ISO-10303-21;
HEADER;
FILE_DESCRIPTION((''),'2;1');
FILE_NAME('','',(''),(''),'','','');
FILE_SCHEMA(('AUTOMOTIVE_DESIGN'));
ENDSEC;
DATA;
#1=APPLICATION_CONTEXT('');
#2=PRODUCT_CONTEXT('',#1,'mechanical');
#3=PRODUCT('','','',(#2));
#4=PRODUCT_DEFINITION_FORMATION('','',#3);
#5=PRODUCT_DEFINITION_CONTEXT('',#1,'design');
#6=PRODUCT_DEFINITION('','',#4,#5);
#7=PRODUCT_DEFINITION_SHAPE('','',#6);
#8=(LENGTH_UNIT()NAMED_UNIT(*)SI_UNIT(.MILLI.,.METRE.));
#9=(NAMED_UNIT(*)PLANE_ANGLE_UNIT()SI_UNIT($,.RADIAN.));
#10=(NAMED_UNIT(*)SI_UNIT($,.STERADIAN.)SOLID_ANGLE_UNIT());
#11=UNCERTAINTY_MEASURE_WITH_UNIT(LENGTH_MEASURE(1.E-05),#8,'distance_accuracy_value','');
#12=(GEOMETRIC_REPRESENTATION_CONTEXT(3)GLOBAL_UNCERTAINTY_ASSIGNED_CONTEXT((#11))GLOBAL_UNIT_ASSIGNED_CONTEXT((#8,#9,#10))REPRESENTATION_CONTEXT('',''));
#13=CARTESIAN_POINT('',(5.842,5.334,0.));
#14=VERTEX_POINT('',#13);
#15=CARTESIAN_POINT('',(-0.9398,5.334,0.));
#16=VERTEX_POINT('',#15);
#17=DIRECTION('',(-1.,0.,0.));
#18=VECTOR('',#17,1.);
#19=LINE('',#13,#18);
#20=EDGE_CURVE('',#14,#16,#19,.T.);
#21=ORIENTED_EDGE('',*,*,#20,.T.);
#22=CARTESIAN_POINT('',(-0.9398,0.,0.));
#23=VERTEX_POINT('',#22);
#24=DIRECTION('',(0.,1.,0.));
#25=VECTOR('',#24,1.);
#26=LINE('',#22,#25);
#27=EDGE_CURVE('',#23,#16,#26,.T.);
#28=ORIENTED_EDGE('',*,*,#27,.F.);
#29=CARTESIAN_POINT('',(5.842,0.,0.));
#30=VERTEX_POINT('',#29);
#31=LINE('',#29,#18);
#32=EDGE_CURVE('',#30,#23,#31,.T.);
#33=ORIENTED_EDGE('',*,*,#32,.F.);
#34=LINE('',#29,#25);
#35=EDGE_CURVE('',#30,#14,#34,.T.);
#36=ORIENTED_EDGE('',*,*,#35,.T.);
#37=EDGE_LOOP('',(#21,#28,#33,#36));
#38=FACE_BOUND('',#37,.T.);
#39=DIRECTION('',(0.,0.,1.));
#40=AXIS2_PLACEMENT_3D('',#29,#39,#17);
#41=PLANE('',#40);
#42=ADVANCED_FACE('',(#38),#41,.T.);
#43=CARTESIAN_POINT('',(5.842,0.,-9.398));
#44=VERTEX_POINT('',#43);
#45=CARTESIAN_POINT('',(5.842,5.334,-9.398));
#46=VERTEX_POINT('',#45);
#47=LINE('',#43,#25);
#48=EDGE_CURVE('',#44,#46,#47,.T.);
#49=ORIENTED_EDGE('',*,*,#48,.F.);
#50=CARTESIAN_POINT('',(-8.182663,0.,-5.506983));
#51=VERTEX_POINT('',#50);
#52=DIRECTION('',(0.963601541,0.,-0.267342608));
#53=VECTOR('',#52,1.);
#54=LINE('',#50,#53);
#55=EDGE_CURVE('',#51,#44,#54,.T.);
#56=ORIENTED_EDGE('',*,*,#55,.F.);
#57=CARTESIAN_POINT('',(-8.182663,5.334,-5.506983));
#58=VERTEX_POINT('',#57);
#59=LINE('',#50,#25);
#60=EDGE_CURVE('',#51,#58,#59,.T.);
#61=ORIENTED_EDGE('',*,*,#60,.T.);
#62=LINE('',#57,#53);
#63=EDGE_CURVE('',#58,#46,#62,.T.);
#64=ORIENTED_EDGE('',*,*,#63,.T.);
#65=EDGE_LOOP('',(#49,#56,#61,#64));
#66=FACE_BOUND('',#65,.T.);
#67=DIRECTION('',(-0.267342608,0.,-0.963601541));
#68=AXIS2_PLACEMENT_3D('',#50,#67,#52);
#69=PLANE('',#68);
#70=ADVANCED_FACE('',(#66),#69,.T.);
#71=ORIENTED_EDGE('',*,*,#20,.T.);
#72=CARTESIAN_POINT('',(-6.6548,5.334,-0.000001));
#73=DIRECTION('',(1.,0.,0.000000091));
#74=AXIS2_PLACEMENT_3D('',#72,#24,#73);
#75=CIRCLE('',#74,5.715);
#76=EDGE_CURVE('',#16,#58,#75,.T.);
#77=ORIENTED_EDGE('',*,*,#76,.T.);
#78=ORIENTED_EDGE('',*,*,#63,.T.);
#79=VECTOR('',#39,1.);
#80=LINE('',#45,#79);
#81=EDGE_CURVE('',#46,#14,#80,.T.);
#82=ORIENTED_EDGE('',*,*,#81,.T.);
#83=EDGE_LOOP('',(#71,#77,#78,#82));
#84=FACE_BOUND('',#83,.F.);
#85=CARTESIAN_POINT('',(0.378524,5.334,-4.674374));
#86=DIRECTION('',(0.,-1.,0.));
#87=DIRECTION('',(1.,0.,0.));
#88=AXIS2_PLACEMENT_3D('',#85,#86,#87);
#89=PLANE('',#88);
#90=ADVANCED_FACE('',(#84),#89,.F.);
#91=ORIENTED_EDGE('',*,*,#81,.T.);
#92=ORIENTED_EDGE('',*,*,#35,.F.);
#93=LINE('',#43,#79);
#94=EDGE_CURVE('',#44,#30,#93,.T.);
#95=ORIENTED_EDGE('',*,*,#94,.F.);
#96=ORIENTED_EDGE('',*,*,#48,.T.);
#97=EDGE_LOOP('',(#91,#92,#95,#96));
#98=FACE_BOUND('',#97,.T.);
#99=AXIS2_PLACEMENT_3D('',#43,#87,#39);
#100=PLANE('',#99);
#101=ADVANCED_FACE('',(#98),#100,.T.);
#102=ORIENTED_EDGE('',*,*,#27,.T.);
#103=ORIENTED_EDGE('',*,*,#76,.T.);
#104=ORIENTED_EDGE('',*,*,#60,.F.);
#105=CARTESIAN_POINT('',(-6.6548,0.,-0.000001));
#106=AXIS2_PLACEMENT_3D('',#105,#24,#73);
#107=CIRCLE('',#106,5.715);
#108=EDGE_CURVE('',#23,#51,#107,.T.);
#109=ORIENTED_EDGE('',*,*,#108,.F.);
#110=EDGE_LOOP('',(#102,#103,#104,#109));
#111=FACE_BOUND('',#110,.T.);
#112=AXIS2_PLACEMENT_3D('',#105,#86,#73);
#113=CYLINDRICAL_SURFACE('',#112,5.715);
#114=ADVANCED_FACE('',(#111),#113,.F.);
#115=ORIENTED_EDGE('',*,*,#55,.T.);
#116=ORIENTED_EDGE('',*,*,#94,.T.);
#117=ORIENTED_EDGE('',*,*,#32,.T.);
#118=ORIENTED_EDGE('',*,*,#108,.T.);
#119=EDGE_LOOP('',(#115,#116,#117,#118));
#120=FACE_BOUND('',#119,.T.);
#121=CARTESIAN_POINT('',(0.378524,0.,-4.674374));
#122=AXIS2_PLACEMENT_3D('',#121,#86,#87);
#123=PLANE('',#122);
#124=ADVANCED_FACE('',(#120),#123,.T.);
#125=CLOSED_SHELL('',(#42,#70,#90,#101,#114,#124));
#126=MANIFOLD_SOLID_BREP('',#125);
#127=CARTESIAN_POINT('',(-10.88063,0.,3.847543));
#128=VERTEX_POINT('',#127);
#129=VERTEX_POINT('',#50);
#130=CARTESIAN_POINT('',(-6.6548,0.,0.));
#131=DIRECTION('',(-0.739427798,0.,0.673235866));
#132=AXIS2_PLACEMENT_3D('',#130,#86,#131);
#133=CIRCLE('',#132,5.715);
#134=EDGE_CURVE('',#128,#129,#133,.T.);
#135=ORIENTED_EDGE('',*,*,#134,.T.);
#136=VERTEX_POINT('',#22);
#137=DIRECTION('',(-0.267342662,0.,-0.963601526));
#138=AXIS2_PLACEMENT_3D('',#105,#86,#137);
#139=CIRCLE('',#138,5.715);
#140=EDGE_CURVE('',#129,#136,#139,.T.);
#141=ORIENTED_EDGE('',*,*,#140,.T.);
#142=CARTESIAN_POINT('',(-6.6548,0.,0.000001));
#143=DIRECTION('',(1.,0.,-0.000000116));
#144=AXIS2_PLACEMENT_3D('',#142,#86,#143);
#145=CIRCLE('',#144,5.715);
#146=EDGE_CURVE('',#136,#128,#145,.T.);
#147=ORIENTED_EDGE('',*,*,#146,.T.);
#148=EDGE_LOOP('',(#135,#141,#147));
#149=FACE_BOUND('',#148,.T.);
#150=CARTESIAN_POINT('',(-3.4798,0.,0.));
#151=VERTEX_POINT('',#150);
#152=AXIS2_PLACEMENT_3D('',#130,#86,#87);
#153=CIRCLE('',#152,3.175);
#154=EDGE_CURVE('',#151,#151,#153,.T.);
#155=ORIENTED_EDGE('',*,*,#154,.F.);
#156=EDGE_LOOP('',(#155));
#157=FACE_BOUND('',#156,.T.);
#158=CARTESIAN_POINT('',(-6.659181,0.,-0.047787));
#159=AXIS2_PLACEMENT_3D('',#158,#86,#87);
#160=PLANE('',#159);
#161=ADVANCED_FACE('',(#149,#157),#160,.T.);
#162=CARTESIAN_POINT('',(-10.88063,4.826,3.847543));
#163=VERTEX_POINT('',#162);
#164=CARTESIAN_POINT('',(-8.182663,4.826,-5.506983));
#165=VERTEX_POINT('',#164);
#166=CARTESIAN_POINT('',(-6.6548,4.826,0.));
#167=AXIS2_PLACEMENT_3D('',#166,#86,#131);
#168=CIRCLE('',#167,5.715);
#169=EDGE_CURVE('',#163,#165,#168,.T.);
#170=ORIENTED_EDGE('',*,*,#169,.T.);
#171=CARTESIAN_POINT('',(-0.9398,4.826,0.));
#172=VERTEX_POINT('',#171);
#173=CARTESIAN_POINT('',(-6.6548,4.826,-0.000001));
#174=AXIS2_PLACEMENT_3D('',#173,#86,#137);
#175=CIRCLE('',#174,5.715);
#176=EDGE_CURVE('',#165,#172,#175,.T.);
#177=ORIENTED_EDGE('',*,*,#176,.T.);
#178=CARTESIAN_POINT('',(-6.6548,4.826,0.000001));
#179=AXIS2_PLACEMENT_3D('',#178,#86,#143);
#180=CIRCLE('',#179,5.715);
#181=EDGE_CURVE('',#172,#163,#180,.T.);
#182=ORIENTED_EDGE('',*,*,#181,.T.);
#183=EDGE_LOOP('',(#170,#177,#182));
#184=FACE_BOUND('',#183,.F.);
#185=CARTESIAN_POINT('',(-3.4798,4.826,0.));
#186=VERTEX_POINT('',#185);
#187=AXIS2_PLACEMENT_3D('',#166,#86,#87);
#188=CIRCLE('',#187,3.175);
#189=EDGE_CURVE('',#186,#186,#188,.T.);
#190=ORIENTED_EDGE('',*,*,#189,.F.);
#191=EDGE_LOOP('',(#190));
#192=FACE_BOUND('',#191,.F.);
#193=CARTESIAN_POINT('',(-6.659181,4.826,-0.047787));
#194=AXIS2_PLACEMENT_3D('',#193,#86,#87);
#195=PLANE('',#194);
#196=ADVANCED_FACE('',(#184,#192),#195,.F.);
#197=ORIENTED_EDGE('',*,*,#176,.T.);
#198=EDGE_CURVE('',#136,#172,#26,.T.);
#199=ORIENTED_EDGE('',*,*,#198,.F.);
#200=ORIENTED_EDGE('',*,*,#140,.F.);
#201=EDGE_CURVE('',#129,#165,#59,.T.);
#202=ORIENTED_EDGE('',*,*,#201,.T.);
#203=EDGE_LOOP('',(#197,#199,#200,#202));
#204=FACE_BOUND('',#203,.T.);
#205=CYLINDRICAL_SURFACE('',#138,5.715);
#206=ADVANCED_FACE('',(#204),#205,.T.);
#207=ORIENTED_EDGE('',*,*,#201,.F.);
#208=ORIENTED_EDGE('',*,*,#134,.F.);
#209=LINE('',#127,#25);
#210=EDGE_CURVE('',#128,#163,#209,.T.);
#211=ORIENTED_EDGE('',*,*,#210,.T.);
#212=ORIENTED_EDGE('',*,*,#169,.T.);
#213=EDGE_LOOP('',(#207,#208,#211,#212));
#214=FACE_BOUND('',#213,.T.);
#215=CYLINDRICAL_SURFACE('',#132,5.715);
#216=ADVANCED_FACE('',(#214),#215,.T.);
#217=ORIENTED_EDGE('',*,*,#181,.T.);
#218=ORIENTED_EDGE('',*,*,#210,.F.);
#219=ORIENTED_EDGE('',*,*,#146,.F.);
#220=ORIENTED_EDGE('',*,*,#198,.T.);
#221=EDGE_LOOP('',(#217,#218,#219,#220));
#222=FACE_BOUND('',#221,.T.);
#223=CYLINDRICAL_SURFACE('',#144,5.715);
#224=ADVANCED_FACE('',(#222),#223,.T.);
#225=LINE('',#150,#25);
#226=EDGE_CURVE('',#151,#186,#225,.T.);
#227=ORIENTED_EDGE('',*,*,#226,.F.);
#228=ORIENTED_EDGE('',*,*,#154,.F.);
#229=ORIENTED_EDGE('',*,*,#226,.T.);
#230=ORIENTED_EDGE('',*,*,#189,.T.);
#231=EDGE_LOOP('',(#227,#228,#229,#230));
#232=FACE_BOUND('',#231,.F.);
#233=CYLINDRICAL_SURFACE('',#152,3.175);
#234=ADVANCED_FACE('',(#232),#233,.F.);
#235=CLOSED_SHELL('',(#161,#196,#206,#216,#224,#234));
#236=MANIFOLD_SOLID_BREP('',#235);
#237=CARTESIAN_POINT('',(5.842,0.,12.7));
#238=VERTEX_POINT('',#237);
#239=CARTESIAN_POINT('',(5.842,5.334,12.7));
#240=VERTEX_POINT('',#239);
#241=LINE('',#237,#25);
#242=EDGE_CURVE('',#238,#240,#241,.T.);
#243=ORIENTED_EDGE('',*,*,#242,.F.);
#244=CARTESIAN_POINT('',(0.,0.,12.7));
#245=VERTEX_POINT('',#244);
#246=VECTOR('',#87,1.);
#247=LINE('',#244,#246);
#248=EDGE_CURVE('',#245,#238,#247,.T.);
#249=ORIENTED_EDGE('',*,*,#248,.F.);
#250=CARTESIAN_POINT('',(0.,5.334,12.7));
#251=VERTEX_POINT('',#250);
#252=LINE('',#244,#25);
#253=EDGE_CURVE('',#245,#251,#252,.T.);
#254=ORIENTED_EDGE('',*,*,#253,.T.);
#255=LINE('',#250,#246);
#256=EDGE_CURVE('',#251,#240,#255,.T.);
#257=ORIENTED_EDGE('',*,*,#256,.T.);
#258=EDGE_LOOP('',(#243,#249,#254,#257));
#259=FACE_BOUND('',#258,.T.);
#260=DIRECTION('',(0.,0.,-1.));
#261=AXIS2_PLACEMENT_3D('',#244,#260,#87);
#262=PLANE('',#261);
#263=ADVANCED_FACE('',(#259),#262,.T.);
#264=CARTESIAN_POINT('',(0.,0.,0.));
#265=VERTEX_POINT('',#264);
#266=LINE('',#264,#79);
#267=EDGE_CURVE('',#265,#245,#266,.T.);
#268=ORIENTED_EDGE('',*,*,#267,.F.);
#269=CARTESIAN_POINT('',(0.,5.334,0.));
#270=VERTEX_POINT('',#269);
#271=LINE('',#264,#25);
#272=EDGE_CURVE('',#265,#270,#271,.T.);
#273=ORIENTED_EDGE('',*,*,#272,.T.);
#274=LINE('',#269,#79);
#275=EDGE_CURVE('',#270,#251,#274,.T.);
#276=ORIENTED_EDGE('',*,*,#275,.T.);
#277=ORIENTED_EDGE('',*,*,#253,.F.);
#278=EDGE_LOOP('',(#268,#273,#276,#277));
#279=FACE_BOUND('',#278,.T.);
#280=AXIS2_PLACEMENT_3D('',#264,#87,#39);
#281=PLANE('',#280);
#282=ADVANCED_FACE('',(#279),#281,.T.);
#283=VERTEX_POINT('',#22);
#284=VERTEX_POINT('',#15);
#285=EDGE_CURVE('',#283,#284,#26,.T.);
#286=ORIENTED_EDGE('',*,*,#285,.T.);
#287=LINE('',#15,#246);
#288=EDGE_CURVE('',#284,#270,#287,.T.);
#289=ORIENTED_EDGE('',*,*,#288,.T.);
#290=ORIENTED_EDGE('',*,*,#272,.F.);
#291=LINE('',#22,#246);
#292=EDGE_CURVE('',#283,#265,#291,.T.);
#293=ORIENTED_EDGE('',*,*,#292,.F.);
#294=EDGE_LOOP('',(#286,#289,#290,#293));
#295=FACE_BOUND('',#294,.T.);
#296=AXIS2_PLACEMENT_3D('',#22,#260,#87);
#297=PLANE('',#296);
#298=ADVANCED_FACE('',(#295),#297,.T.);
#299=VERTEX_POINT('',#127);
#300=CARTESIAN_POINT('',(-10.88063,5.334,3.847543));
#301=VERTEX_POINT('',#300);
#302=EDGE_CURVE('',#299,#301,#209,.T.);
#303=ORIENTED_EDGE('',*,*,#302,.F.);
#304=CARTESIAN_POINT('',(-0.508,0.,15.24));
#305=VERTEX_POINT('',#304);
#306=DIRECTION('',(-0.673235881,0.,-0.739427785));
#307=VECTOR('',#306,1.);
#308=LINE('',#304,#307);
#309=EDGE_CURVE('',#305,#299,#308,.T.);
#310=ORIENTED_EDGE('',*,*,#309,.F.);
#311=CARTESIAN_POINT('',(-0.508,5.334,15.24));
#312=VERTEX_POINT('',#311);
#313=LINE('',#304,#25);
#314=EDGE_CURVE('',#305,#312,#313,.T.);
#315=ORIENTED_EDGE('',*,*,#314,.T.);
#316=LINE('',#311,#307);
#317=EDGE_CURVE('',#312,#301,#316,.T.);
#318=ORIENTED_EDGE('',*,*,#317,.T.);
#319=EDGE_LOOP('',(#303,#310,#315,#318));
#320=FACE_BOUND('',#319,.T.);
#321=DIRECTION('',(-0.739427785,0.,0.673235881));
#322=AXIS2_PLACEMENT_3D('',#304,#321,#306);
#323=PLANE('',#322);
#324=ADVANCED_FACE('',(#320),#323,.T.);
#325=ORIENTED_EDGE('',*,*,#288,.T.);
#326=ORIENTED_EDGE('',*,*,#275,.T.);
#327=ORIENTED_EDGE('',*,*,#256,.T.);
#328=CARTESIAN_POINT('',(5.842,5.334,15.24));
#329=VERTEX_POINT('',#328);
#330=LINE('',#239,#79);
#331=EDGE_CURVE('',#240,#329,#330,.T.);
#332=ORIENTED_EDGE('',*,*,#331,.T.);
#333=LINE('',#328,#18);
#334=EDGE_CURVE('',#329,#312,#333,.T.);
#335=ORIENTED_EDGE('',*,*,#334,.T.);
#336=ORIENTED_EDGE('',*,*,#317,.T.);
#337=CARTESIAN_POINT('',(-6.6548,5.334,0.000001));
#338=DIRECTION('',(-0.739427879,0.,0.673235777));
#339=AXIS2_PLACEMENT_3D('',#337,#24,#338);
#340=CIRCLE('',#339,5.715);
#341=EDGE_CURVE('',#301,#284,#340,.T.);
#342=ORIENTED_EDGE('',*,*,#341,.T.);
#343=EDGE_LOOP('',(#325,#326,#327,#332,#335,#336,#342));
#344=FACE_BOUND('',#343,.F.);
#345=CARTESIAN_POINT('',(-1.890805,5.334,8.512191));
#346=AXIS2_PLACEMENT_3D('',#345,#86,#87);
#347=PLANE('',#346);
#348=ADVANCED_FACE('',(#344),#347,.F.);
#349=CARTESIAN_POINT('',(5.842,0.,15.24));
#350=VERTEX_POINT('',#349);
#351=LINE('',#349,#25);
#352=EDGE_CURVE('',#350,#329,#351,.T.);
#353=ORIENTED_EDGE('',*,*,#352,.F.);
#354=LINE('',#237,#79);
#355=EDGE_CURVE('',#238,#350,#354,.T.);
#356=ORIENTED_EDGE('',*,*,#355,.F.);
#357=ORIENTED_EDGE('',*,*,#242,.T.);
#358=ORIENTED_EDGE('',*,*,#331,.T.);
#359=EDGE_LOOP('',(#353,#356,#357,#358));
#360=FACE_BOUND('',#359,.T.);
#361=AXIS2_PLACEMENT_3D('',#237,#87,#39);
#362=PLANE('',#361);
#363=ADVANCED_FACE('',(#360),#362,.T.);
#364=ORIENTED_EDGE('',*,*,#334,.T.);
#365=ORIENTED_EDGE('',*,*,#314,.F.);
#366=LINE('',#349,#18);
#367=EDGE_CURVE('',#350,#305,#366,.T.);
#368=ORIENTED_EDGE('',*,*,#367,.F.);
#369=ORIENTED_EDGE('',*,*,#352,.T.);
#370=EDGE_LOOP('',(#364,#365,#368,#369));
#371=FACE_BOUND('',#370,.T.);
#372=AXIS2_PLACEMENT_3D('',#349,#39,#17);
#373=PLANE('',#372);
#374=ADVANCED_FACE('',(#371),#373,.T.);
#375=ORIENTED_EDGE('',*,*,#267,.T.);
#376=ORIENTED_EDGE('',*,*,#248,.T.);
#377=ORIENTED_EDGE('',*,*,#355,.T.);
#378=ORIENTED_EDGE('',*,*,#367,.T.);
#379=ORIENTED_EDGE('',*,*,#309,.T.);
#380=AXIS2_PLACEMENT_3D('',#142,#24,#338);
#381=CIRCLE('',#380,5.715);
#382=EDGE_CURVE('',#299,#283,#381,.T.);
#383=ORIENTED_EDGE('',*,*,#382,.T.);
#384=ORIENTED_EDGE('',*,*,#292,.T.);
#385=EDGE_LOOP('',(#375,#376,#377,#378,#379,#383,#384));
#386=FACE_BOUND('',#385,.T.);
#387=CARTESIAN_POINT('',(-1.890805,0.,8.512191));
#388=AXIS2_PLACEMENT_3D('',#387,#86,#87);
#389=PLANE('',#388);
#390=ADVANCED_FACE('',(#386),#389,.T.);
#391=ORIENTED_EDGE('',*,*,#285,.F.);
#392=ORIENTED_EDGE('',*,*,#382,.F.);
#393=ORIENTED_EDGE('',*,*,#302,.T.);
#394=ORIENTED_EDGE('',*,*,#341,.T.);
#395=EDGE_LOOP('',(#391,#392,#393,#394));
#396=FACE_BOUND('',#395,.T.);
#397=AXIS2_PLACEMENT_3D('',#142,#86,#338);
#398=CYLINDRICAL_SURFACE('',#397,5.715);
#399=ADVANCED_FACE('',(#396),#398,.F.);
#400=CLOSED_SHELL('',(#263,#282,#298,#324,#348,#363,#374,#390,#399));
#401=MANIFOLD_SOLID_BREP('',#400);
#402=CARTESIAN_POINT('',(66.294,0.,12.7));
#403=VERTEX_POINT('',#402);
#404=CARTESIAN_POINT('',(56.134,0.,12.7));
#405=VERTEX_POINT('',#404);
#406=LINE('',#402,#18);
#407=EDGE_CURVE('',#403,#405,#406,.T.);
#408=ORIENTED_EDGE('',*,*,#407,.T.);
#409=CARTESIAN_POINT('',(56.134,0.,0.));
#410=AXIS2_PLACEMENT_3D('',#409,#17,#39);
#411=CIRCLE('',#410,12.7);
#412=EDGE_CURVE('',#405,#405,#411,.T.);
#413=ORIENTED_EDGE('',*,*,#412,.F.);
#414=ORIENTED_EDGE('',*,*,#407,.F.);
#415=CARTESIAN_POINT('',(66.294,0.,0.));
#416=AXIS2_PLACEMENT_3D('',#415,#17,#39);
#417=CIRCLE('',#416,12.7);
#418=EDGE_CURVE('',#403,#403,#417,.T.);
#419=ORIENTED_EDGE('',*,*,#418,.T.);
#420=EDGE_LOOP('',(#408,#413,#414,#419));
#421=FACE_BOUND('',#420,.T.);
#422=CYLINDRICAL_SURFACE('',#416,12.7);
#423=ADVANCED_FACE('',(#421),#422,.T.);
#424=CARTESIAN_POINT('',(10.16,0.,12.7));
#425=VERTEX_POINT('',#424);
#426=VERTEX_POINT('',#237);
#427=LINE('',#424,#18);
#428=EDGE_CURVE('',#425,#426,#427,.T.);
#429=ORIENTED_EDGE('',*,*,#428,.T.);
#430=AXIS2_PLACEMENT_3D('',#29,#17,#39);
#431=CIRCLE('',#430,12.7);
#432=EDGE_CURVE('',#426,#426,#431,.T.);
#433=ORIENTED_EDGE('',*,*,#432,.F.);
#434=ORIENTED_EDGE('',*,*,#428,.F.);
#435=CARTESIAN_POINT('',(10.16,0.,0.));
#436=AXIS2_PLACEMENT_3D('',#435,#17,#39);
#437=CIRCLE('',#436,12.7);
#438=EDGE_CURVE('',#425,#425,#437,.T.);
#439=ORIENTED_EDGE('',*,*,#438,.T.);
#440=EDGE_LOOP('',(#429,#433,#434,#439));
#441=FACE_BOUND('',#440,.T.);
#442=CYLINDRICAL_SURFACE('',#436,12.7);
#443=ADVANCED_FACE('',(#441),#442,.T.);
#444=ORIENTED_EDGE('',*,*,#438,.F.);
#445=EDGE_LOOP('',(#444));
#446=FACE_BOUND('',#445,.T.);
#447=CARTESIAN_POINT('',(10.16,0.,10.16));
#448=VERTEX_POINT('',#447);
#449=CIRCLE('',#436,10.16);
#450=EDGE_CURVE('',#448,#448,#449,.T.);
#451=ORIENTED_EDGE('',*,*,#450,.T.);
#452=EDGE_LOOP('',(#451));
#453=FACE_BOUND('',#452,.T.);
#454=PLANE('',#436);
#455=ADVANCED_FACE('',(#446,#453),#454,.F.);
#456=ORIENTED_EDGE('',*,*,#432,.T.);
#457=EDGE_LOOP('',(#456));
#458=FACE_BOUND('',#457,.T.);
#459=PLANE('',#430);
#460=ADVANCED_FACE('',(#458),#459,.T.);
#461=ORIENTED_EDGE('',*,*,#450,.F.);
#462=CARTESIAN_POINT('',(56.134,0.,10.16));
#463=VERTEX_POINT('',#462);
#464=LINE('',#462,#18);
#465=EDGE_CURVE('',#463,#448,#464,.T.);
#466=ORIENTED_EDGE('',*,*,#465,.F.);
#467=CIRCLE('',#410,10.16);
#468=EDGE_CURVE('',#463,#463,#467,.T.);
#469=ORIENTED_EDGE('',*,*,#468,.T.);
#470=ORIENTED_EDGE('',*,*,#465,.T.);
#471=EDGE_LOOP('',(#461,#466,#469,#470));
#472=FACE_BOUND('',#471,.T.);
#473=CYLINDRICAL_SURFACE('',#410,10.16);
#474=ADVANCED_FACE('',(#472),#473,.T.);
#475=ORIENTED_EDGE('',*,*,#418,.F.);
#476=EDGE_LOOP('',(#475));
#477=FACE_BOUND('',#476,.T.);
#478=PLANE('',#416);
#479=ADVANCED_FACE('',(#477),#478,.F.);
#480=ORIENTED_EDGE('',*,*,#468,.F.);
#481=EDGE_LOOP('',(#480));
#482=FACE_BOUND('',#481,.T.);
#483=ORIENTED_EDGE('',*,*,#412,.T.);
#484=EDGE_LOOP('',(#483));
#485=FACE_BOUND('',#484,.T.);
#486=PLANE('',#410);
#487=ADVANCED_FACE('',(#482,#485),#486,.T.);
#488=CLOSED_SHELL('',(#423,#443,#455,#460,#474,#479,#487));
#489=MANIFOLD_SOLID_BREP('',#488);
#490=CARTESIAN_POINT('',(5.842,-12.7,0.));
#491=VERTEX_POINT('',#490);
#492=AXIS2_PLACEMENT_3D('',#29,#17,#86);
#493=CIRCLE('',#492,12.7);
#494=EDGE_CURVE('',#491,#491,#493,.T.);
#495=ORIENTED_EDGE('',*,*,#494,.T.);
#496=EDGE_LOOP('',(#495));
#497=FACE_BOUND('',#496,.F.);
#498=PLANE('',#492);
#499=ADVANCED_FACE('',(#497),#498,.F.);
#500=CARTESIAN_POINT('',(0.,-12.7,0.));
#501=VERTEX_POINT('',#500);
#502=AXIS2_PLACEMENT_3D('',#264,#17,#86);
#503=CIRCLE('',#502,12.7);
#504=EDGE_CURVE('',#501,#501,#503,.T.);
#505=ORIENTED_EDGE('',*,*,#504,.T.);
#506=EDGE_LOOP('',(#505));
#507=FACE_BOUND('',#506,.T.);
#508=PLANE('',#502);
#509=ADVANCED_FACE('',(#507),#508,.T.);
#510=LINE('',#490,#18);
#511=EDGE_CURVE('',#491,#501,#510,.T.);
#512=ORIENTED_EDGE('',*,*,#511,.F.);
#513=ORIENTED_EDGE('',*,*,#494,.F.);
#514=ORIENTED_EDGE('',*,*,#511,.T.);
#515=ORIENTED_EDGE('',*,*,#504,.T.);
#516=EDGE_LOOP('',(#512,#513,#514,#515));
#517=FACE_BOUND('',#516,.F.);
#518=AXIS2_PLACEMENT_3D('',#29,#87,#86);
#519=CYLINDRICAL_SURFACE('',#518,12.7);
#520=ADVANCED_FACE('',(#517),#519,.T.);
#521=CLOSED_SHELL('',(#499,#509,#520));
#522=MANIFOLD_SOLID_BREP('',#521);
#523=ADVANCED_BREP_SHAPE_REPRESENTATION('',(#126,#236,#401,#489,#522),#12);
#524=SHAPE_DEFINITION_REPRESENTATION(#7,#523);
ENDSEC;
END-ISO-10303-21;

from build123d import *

# Parameters (mm, degrees)
F2_DEPTH  = 5.334
F1_FACE_R = 12.7
F3_DEPTH  = 5.842
F4_DEPTH  = 5.334
F0_R      = 3.175
F5_DEPTH  = 4.826


with BuildPart() as f1:
    # F0 (on Front) → F1 (revolve)
    with BuildSketch(Plane.XZ):
        Polygon((5.842, 12.7), (5.842, 0), (66.294, 0), (66.294, 12.7), (56.134, 12.7), (56.134, 10.16), (10.16, 10.16), (10.16, 12.7), align=None)
    revolve(axis=Axis((33.147, 0, 0), (-1, 0, 0)))


with BuildPart() as f2:
    # F0 (on Front) → F2 (new body)
    with BuildSketch(Plane.XZ):
        with BuildLine():
            Line((-0.9398, 0), (0, 0))
            Line((0, 0), (0, 12.7))
            Line((0, 12.7), (5.842, 12.7))
            Line((5.842, 12.7), (5.842, 15.24))
            Line((5.842, 15.24), (-0.508, 15.24))
            Line((-0.508, 15.24), (-10.88063, 3.847543))
            ThreePointArc((-10.88063, 3.847543), (-4.591961, 5.329721), (-0.9398, 0))
        make_face()
    extrude(amount=-F2_DEPTH)


with BuildPart() as f3:
    # F1_face (on face) → F3 (new body)
    with BuildSketch(Plane(origin=(5.842, 0, 0), x_dir=(0, -1, 0), z_dir=(-1, 0, 0))):
        Circle(F1_FACE_R)
    extrude(amount=F3_DEPTH)


with BuildPart() as f4:
    # F0 (on Front) → F4 (new body)
    with BuildSketch(Plane.XZ):
        with BuildLine():
            Line((5.842, 0), (0, 0))
            Line((0, 0), (-0.9398, 0))
            ThreePointArc((-0.9398, 0), (-3.195791, -4.549339), (-8.182663, -5.506983))
            Line((-8.182663, -5.506983), (5.842, -9.398))
            Line((5.842, -9.398), (5.842, 0))
        make_face()
    extrude(amount=-F4_DEPTH)


with BuildPart() as f5:
    # F0 (on Front) → F5 (new body)
    with BuildSketch(Plane.XZ):
        with BuildLine():
            ThreePointArc((-8.182663, -5.506983), (-3.195791, -4.549339), (-0.9398, 0))
            ThreePointArc((-0.9398, 0), (-4.591961, 5.329721), (-10.88063, 3.847543))
            ThreePointArc((-10.88063, 3.847543), (-12.145978, -1.583727), (-8.182663, -5.506983))
        make_face()
        with Locations((-6.6548, 0)):
            Circle(F0_R, mode=Mode.SUBTRACT)
    extrude(amount=-F5_DEPTH)


solid = Compound([f1.part, f2.part, f3.part, f4.part, f5.part])
